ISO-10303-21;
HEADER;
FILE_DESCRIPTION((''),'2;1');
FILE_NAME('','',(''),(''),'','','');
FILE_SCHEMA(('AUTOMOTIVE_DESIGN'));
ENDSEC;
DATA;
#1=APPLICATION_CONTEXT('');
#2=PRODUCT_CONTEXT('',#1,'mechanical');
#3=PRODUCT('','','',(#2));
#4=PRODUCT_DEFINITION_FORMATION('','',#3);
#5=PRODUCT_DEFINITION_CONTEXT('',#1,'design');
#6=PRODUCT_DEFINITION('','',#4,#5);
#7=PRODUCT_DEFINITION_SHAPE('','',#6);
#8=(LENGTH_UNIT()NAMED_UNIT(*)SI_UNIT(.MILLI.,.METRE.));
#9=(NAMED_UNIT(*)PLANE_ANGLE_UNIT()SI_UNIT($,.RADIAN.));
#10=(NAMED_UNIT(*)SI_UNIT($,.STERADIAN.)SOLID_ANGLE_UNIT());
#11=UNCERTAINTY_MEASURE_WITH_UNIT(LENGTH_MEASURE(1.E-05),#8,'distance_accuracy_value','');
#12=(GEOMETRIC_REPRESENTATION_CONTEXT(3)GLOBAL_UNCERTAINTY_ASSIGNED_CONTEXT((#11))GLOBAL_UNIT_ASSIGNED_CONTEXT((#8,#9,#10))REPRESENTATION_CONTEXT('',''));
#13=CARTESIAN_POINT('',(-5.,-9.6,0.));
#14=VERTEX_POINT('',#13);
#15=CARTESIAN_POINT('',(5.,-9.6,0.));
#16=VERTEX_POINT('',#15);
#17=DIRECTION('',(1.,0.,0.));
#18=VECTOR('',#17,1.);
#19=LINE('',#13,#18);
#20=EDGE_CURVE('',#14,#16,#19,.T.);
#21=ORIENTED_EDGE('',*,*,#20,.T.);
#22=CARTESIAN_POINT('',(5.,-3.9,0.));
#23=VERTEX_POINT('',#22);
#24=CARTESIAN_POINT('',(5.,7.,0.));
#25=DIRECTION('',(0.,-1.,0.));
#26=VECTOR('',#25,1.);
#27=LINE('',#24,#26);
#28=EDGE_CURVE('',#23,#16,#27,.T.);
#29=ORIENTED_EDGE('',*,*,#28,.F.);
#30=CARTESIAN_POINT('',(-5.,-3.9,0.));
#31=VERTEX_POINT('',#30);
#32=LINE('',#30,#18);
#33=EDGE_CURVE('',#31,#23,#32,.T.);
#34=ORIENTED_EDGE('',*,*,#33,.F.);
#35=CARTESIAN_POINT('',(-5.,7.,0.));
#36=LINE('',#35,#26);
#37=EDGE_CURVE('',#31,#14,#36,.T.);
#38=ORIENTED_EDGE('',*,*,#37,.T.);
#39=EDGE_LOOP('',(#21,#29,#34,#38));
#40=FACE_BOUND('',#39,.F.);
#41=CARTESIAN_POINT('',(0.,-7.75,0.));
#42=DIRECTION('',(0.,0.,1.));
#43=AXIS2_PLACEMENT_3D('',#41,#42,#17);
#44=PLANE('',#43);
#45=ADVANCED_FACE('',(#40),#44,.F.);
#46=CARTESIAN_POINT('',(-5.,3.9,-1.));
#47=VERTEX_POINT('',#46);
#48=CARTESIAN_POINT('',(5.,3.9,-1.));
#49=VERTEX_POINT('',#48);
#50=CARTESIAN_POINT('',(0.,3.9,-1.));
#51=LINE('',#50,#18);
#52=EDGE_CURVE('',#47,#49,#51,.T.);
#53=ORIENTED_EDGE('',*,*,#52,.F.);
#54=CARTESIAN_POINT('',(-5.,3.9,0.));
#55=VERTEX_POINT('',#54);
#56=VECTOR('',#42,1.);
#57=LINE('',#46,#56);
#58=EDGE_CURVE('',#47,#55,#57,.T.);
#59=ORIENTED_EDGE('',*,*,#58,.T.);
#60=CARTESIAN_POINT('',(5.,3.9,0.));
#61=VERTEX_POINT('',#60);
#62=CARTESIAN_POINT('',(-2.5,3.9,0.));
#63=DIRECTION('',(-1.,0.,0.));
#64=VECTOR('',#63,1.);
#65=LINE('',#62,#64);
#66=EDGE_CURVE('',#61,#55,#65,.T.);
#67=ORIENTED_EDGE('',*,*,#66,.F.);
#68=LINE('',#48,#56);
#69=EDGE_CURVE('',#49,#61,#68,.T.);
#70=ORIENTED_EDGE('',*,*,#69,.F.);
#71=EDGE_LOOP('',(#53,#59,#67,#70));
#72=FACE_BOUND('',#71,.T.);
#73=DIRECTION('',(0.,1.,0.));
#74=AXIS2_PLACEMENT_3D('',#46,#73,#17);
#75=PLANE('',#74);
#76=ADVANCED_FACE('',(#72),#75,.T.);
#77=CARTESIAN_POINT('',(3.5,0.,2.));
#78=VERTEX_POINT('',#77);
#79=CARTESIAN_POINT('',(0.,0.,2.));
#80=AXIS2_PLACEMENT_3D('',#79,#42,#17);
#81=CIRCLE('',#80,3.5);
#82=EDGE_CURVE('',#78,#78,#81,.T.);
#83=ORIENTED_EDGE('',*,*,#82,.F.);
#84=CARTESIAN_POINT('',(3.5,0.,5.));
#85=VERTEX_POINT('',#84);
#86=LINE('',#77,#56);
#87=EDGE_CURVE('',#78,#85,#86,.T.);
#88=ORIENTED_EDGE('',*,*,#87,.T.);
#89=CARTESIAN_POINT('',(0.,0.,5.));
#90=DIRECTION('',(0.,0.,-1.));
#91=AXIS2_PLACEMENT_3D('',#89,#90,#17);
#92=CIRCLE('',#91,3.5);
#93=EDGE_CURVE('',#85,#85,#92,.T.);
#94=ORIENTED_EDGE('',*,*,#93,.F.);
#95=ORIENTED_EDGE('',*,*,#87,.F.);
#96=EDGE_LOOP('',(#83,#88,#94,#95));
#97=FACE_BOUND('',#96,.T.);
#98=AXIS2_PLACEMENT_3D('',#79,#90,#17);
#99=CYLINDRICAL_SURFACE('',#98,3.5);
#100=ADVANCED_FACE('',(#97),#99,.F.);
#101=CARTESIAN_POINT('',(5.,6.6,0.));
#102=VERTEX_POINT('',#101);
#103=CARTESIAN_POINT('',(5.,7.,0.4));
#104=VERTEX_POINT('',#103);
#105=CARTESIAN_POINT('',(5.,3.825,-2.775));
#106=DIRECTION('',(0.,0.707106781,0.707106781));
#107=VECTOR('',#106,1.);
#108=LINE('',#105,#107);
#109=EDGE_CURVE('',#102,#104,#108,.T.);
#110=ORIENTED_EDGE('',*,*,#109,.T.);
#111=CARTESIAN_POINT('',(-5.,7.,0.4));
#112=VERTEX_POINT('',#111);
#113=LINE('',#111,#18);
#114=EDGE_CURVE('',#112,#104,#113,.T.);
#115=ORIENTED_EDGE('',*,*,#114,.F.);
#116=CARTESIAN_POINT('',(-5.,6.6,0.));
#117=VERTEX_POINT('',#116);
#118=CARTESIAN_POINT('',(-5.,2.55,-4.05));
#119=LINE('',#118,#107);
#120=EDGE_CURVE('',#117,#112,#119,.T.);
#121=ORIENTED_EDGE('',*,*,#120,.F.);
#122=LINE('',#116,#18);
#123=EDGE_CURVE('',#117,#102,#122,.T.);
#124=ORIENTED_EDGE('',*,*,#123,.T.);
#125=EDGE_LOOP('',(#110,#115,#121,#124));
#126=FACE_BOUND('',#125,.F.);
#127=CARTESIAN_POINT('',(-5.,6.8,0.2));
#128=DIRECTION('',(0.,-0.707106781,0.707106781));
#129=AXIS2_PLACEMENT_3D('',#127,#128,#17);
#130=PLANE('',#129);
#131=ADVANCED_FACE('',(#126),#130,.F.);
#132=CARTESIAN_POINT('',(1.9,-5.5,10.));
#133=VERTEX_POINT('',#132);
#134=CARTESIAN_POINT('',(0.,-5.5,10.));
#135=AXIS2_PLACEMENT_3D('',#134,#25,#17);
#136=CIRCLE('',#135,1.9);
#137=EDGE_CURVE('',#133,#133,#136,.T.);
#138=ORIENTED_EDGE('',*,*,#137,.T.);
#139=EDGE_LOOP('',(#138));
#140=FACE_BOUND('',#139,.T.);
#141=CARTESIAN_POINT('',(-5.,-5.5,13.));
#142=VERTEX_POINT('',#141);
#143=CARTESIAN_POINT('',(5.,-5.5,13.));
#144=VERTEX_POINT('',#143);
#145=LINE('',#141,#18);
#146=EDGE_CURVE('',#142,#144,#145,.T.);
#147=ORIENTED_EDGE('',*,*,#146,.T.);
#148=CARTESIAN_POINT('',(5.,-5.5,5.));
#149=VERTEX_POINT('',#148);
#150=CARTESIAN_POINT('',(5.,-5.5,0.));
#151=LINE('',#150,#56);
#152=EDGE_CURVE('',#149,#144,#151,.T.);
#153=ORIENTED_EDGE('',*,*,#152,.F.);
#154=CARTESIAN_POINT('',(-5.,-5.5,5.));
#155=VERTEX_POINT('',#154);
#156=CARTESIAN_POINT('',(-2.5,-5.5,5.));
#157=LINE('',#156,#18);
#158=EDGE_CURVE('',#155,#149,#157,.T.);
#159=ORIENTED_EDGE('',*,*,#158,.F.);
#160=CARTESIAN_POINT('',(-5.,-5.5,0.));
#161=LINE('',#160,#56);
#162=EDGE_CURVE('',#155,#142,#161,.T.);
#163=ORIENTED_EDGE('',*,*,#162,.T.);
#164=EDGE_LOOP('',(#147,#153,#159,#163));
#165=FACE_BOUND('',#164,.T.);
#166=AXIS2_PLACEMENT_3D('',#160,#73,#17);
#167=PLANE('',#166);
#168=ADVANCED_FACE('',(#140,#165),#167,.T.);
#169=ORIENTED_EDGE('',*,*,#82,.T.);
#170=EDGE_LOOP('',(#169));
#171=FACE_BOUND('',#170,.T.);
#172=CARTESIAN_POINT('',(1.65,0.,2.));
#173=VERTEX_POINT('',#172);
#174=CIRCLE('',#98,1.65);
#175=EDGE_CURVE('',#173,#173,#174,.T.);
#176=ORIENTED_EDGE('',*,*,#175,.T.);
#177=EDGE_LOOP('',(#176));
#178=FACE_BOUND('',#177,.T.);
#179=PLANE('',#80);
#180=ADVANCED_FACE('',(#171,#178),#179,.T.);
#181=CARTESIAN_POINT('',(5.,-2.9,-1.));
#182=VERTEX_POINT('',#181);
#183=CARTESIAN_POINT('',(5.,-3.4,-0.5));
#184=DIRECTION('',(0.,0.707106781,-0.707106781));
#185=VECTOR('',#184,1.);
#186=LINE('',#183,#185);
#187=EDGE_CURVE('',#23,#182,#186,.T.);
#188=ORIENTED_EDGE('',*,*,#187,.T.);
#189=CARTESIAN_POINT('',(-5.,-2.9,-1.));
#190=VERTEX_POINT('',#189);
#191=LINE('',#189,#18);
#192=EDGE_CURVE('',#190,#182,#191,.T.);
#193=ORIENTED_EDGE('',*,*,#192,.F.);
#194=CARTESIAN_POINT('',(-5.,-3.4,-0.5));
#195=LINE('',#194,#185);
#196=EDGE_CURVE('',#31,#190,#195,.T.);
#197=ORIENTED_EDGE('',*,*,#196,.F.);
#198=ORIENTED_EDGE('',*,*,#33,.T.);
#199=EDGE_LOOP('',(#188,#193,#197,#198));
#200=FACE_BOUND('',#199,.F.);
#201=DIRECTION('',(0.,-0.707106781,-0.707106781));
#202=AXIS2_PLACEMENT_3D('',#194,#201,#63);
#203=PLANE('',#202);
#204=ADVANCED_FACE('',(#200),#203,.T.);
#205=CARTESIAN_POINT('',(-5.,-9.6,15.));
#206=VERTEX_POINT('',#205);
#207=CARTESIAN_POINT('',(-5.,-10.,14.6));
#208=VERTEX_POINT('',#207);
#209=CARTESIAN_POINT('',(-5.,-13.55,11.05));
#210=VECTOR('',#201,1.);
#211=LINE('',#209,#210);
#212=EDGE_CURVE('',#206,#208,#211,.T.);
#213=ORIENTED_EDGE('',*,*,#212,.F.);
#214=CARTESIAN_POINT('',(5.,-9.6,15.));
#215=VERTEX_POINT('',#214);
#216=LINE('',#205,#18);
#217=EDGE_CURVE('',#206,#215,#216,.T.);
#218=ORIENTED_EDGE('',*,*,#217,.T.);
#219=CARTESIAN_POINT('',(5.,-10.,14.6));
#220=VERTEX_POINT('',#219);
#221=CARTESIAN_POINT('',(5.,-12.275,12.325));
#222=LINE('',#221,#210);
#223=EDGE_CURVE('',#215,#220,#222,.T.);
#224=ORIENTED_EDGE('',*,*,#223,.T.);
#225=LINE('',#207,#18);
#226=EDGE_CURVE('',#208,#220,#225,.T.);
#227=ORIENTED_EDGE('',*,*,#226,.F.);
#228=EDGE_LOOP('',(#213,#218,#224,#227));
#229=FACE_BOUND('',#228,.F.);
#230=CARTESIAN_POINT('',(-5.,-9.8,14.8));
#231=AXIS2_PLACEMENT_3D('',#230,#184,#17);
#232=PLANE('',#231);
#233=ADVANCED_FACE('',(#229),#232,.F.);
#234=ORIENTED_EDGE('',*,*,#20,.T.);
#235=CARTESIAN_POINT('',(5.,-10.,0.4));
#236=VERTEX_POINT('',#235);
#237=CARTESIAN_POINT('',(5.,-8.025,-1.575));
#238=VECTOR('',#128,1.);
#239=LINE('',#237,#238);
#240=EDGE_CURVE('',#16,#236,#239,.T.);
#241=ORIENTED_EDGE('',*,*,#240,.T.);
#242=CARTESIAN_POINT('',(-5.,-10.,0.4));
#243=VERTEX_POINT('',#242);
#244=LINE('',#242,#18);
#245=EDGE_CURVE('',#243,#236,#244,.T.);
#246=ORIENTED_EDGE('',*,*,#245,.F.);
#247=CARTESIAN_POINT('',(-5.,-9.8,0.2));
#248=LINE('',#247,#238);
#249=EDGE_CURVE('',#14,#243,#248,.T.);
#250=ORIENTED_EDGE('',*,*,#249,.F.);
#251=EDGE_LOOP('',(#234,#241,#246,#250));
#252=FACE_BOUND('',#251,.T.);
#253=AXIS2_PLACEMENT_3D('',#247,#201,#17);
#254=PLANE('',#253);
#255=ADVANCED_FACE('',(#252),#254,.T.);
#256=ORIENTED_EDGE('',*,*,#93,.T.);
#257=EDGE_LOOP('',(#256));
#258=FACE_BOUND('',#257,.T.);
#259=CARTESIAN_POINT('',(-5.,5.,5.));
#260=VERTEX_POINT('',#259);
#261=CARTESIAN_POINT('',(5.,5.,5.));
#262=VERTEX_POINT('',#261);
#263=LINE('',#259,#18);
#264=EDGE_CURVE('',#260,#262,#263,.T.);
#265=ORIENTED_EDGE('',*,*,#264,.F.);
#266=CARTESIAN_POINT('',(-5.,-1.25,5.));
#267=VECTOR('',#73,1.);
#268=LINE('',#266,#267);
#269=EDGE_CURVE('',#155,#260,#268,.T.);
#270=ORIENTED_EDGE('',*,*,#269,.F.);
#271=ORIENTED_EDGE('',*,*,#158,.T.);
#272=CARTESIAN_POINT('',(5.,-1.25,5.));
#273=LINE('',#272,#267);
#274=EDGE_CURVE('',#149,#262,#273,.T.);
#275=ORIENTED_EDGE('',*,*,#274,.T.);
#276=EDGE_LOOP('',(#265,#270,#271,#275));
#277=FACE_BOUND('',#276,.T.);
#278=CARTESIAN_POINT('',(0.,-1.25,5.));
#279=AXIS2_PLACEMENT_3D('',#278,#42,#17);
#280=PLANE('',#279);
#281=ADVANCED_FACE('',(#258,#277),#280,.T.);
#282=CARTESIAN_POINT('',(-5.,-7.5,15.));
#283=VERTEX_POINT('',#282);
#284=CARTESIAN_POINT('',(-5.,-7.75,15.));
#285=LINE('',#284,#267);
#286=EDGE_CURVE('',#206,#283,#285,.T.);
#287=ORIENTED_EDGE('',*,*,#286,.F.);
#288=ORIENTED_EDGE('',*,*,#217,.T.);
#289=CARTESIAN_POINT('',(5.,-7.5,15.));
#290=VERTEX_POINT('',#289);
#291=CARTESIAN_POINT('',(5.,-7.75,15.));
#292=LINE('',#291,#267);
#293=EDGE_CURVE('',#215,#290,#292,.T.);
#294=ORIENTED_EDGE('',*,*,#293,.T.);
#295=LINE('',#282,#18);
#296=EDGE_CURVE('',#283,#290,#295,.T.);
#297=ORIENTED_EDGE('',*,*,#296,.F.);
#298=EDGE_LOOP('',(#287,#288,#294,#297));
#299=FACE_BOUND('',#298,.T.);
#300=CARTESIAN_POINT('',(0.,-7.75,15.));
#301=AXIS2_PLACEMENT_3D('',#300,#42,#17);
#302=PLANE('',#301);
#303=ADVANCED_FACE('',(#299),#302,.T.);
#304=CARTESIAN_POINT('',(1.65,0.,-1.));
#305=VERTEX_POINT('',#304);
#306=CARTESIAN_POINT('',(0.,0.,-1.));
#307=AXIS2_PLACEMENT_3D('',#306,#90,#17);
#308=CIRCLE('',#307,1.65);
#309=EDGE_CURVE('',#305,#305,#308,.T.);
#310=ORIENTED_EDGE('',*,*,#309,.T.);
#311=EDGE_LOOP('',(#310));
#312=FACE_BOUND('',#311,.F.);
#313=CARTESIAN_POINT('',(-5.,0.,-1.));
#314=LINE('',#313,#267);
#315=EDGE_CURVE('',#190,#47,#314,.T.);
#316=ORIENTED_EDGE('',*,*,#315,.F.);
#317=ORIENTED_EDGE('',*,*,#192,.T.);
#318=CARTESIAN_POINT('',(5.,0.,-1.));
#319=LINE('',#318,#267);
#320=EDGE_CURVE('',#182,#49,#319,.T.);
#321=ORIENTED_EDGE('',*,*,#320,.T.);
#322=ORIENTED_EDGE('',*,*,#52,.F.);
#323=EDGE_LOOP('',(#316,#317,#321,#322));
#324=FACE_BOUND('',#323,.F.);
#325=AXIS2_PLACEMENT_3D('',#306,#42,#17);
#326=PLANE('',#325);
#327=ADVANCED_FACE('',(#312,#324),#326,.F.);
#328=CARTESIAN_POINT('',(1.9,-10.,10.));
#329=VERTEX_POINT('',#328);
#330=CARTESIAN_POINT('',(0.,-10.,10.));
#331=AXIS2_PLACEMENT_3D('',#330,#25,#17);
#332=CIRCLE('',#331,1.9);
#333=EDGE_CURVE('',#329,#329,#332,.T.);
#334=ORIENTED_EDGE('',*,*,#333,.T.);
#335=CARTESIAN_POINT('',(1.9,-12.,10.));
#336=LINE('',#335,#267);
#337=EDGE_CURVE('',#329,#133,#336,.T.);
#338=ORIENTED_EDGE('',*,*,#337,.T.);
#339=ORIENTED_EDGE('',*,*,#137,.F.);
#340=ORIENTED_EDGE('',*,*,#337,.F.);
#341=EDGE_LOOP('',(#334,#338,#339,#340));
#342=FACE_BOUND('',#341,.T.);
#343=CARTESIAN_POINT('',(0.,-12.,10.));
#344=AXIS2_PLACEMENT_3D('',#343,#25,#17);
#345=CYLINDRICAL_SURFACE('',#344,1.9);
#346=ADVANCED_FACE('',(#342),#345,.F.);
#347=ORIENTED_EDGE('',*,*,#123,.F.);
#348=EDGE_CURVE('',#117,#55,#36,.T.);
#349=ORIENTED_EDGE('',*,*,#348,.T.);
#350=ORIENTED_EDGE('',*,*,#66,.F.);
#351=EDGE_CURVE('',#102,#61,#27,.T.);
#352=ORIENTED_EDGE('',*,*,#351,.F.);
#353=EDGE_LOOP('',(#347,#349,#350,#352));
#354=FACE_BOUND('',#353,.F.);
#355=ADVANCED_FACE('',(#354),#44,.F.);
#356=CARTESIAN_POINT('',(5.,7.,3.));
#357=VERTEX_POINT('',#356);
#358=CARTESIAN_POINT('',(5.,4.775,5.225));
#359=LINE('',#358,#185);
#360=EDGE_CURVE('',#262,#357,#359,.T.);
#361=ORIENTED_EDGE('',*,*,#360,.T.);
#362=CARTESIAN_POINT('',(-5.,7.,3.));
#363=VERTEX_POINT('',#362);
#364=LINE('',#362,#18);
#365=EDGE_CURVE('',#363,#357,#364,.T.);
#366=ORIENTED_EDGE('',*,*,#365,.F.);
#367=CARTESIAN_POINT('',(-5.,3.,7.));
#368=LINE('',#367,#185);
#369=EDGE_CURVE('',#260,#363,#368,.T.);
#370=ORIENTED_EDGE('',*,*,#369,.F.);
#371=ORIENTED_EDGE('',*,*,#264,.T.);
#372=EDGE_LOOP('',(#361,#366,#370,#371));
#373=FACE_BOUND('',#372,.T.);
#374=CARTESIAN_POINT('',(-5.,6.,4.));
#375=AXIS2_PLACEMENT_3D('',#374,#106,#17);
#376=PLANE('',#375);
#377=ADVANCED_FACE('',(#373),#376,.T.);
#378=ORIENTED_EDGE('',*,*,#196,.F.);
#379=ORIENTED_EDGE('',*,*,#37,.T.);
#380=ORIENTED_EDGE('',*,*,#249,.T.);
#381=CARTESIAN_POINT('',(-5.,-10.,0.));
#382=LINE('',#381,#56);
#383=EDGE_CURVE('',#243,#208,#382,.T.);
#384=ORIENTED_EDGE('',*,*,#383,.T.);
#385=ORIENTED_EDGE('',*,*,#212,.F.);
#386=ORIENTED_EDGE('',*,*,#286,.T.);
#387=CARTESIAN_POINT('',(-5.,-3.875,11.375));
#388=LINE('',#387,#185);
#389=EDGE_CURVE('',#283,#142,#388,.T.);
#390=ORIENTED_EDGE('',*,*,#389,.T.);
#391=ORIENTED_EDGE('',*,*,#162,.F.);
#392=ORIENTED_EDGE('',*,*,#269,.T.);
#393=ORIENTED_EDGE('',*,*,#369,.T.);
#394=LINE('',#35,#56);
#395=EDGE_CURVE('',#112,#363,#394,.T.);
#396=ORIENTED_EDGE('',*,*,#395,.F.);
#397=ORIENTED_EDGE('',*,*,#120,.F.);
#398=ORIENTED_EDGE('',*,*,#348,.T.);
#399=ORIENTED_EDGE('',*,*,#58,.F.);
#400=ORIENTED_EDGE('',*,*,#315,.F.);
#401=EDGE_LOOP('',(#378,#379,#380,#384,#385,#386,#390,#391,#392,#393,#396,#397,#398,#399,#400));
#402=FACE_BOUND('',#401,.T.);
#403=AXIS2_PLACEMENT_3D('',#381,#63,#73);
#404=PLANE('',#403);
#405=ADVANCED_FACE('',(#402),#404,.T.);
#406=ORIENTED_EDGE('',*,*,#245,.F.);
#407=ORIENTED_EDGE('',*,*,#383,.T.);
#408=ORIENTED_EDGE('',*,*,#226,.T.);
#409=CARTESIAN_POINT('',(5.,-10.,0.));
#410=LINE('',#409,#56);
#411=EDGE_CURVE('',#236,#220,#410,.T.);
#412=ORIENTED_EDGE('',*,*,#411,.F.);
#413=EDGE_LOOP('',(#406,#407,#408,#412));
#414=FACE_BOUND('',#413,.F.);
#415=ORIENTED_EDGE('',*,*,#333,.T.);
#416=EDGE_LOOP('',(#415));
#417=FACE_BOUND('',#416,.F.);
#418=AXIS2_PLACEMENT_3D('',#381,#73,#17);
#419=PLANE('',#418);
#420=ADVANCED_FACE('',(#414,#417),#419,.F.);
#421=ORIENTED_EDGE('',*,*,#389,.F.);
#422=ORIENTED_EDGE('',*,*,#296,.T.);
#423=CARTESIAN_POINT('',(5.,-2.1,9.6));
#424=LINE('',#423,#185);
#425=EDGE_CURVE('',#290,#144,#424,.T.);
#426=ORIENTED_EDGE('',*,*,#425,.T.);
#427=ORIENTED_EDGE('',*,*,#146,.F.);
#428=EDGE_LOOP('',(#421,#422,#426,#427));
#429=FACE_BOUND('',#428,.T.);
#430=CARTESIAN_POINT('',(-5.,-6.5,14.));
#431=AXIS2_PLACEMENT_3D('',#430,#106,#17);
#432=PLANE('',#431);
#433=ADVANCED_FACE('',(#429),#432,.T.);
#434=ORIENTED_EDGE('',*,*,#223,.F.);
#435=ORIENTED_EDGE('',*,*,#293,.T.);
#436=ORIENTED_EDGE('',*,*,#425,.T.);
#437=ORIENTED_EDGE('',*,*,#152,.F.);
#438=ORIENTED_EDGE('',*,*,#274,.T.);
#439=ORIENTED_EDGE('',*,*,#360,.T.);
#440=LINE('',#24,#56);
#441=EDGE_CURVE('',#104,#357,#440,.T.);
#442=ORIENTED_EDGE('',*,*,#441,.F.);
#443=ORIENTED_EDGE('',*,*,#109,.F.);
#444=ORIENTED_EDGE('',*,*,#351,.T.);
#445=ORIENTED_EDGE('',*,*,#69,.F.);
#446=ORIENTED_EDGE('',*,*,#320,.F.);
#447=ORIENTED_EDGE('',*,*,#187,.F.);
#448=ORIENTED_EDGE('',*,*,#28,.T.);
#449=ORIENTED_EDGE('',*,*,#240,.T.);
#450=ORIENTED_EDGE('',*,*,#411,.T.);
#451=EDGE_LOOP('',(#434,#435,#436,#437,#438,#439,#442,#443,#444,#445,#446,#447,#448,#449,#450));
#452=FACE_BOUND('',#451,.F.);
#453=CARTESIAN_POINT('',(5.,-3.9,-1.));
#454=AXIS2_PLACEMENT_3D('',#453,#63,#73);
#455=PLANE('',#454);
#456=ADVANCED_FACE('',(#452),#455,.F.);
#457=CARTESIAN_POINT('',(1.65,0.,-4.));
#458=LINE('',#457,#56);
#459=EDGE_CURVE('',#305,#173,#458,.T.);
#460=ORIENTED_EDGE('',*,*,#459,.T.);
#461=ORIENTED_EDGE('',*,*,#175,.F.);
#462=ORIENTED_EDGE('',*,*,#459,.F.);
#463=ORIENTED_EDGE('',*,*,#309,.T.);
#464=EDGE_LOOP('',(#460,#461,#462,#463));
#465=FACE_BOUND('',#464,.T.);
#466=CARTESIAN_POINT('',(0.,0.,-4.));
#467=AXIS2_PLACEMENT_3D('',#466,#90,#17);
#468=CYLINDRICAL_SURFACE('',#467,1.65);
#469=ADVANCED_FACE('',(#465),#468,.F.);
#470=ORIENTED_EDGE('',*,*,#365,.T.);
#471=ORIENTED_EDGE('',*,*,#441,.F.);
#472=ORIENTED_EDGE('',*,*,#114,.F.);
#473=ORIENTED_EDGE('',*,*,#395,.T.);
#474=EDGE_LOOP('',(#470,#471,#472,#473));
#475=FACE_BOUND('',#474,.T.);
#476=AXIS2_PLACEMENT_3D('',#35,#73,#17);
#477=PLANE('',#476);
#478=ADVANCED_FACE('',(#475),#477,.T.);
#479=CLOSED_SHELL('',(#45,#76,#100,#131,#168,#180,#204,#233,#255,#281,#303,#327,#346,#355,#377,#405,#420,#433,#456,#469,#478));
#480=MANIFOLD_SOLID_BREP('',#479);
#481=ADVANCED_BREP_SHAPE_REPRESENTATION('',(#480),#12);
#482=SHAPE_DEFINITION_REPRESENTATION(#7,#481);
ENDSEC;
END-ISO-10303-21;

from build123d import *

# Parameters (mm, degrees)
CYLINDER006_R      = 1.65
CYLINDER006_DEPTH  = 10
CYLINDER007_R      = 3.5
CYLINDER007_DEPTH  = 10
CYLINDER008_R      = 1.9
CYLINDER008_DEPTH  = 10
BOX016_W           = 10
BOX016_H           = 16.5
BOX016_DEPTH       = 5
BOX017_W           = 10
BOX017_H           = 7.8
BOX017_DEPTH       = 2
CHAMFER003015_SIZE = 1
BOX015_W           = 10
BOX015_H           = 4.5
BOX015_DEPTH       = 15
CHAMFER003016_SIZE = 0.4
CHAMFER003017_SIZE = 2


with BuildPart() as cylinder006:
    # Cylinder006 → Cylinder006 (new body)
    with BuildSketch(Plane.XY.offset(-4)):
        Circle(CYLINDER006_R)
    extrude(amount=CYLINDER006_DEPTH)


with BuildPart() as fusion011:
    # Cylinder007 → Cylinder007 (new body)
    with BuildSketch(Plane.XY.offset(2)):
        Circle(CYLINDER007_R)
    extrude(amount=CYLINDER007_DEPTH)

    # Fusion011: union Cylinder006
    add(cylinder006.part)


with BuildPart() as cylinder008:
    # Cylinder008 → Cylinder008 (new body)
    with BuildSketch(Plane(origin=(0, -12, 10), x_dir=(1, 0, 0), z_dir=(0, 1, 0))):
        Circle(CYLINDER008_R)
    extrude(amount=CYLINDER008_DEPTH)


with BuildPart() as cube016:
    # Box016 → Box016 (new body)
    with BuildSketch(Plane(origin=(-5, -9.5, 0), x_dir=(1, 0, 0), z_dir=(0, 0, 1))):
        with Locations((5, 8.25)):
            Rectangle(BOX016_W, BOX016_H)
    extrude(amount=BOX016_DEPTH)


with BuildPart() as chamfer003015:
    # Box017 → Box017 (new body)
    with BuildSketch(Plane(origin=(-5, -3.9, -1), x_dir=(1, 0, 0), z_dir=(0, 0, 1))):
        with Locations((5, 3.9)):
            Rectangle(BOX017_W, BOX017_H)
    extrude(amount=BOX017_DEPTH)

    # Chamfer003015
    chamfer003015_edges = [chamfer003015.edges().sort_by_distance(p)[0] for p in [
        (0, -3.9, -1),
    ]]
    chamfer(chamfer003015_edges, length=CHAMFER003015_SIZE)


with BuildPart() as back_panel_support:
    # Box015 → Box015 (new body)
    with BuildSketch(Plane(origin=(-5, -10, 0), x_dir=(1, 0, 0), z_dir=(0, 0, 1))):
        with Locations((5, 2.25)):
            Rectangle(BOX015_W, BOX015_H)
    extrude(amount=BOX015_DEPTH)

    # Fusion012: union Cube016, Chamfer003015
    add(cube016.part)
    add(chamfer003015.part)

    # Chamfer003016
    chamfer003016_edges = [back_panel_support.edges().sort_by_distance(p)[0] for p in [
        (0, -10, 15),
        (0, -10, 0),
        (0, 7, 0),
    ]]
    chamfer(chamfer003016_edges, length=CHAMFER003016_SIZE)

    # Chamfer003017
    chamfer003017_edges = [back_panel_support.edges().sort_by_distance(p)[0] for p in [
        (0, -5.5, 15),
        (0, 7, 5),
    ]]
    chamfer(chamfer003017_edges, length=CHAMFER003017_SIZE)

    # Cut008004003004014002002005003004002: cut Cylinder008
    add(cylinder008.part, mode=Mode.SUBTRACT)

    # Cut008004003004014002002005003004003: cut Fusion011
    add(fusion011.part, mode=Mode.SUBTRACT)


solid = back_panel_support.part
